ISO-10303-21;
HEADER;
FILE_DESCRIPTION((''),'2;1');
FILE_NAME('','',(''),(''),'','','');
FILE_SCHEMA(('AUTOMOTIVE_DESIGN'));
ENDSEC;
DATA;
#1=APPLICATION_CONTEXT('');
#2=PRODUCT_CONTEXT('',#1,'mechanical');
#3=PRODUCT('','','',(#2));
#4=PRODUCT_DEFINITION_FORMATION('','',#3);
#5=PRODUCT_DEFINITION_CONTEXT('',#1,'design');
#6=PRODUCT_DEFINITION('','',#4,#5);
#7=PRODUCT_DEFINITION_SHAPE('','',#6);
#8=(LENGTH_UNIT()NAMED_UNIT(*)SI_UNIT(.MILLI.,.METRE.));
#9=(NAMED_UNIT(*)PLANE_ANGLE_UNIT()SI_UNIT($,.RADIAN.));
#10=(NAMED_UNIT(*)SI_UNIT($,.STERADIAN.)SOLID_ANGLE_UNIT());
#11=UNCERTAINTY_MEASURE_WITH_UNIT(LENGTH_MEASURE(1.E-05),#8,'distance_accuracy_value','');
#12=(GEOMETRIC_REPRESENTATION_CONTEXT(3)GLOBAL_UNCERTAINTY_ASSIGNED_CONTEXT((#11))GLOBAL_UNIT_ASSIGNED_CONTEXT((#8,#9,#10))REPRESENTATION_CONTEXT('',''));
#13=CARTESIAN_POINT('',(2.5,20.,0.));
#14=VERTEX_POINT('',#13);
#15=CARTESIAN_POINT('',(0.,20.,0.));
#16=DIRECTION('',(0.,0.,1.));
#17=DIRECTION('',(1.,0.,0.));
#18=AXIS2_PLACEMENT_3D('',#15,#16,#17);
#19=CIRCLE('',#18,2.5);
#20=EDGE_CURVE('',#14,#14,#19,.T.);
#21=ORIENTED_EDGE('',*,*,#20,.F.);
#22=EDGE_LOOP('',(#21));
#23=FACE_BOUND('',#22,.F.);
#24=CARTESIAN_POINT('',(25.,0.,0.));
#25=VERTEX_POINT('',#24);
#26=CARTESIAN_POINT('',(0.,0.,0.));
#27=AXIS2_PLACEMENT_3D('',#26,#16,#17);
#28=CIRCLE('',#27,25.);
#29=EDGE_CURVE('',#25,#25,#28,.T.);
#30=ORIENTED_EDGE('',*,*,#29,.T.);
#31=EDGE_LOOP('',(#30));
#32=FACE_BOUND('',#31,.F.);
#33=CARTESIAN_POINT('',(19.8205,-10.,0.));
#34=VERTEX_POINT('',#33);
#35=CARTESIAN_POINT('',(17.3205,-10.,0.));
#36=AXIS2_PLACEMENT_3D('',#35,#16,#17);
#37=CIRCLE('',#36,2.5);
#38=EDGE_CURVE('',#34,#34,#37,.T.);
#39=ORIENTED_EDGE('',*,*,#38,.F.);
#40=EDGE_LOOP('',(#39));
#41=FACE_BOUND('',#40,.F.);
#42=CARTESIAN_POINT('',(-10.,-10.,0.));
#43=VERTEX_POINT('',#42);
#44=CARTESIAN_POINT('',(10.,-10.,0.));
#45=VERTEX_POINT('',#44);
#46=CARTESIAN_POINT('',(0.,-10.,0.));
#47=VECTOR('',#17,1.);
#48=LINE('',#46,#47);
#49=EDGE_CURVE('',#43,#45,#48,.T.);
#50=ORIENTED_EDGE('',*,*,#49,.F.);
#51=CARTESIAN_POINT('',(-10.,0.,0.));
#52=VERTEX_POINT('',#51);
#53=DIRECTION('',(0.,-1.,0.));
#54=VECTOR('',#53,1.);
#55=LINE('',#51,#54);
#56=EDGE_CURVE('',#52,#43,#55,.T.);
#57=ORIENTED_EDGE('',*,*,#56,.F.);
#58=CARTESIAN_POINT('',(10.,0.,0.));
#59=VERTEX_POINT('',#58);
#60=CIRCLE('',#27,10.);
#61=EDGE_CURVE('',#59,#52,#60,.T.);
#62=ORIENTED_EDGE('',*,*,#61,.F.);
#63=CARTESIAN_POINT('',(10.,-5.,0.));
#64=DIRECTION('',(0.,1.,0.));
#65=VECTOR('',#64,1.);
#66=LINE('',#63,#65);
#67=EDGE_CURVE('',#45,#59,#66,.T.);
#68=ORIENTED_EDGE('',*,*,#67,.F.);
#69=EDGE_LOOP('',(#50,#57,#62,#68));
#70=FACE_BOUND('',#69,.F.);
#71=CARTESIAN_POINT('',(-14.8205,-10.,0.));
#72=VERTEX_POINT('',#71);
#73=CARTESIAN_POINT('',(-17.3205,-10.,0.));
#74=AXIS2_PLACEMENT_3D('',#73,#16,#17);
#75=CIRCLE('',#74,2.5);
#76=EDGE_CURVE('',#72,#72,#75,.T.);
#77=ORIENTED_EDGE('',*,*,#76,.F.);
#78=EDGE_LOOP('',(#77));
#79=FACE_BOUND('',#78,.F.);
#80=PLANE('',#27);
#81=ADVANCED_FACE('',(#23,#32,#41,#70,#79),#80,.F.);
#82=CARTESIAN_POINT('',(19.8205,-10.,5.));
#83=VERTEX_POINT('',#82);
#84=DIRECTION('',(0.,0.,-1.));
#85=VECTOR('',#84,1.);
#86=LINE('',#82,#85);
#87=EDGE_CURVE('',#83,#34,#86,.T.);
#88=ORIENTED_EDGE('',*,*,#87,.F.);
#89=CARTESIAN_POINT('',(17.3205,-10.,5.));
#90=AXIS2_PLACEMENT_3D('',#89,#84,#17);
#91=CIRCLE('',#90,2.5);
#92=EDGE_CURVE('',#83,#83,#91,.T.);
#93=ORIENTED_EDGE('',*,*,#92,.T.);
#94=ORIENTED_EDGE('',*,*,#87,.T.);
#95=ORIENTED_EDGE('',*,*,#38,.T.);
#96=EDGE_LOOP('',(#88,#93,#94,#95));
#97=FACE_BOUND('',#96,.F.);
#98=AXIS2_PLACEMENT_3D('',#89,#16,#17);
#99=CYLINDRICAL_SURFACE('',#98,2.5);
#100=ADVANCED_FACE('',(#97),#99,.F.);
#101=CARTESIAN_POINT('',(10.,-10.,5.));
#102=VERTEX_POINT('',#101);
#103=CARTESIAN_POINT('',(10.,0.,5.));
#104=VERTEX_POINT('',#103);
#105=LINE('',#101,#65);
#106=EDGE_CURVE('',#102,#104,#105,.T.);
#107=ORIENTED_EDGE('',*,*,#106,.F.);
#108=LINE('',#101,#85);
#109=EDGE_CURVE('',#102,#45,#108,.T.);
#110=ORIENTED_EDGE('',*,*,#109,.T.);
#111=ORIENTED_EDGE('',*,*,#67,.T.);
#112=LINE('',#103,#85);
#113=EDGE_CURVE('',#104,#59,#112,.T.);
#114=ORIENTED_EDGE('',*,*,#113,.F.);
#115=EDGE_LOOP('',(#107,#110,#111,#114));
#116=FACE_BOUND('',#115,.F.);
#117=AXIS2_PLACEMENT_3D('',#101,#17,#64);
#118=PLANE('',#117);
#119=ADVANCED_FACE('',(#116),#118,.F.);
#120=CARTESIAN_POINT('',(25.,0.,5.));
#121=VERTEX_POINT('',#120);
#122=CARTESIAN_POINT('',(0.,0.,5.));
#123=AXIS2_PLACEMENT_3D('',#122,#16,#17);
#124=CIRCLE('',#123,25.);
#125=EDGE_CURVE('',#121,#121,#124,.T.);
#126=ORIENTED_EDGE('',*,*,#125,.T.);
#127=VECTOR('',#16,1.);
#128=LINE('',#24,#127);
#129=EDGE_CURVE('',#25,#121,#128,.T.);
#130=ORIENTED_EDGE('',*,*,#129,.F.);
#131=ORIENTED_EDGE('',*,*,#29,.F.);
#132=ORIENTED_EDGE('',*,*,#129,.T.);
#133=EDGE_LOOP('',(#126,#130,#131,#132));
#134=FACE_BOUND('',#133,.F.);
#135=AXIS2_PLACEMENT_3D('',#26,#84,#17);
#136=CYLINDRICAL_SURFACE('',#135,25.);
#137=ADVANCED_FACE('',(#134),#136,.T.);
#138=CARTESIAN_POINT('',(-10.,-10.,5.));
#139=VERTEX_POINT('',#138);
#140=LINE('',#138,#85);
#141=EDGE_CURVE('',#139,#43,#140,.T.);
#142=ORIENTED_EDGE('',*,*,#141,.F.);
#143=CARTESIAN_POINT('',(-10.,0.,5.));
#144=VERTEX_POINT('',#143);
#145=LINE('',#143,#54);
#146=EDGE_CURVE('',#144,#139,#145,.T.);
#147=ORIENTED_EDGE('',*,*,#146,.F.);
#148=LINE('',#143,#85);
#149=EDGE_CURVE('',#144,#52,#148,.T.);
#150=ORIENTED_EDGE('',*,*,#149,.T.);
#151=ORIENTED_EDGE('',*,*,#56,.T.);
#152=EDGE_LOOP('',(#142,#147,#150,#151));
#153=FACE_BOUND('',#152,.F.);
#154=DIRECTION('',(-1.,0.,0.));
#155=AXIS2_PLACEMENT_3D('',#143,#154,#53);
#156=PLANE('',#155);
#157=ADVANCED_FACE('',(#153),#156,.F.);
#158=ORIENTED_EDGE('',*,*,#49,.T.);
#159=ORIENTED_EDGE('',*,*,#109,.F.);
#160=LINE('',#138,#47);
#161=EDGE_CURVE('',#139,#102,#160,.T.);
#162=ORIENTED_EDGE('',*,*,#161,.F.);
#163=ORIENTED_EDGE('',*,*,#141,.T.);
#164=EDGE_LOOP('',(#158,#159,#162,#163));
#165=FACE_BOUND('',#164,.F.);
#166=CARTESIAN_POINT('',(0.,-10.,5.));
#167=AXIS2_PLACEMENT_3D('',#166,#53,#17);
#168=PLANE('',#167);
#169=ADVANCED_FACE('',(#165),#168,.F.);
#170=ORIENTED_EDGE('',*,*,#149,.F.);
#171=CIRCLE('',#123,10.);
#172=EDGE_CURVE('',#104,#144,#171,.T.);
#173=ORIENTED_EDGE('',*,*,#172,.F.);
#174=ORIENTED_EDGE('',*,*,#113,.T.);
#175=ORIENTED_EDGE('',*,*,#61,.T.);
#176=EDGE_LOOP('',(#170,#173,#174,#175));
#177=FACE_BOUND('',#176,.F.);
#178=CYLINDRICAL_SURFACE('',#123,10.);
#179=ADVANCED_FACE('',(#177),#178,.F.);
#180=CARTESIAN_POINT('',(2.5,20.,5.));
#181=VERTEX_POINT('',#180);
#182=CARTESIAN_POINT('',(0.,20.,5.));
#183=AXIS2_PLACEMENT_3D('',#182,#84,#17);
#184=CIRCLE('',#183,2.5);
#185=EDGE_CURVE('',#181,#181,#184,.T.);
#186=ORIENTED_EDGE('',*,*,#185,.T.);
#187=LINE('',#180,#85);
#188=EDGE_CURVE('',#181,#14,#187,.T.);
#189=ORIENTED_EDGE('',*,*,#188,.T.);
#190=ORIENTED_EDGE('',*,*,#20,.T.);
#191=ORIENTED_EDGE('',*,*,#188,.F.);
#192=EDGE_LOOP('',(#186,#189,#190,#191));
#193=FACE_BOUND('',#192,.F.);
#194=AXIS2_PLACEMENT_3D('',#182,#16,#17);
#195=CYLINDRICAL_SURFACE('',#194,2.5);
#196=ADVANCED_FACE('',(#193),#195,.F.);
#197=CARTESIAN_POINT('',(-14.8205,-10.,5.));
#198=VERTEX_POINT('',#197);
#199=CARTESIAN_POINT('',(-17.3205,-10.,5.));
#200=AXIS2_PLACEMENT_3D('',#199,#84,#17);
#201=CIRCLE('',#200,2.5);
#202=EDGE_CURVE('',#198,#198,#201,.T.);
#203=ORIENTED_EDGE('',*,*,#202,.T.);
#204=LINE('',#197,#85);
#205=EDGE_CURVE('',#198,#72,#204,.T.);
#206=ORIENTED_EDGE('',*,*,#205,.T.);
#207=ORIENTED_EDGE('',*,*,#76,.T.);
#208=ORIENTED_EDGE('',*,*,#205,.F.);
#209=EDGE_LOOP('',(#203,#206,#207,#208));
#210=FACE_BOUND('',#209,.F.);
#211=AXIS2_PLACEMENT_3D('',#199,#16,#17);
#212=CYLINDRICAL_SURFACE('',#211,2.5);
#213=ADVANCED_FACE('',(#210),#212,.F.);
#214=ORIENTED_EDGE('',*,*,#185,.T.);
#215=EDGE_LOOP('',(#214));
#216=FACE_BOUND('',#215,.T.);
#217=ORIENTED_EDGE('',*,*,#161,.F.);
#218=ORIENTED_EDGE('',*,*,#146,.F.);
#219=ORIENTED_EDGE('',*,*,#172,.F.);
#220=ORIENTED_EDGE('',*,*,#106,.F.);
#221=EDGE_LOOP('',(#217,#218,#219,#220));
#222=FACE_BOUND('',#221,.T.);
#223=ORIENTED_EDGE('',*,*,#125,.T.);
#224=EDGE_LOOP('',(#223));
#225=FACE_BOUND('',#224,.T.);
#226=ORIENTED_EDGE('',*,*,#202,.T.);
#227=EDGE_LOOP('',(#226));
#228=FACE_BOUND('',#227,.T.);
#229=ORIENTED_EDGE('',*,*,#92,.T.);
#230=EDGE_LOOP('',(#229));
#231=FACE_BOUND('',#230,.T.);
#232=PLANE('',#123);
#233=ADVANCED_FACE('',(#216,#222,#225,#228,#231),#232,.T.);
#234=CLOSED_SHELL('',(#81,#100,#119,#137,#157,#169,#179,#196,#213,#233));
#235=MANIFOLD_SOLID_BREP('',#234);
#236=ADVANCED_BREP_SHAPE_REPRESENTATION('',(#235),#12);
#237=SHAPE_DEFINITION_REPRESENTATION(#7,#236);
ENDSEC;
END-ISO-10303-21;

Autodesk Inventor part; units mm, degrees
ref_plane "YZ Plane" through (0, 0, 0) normal (1, 0, 0) x (0, 1, 0)
ref_plane "XZ Plane" through (0, 0, 0) normal (0, 1, 0) x (-1, 0, 0)
ref_plane "XY Plane" through (0, 0, 0) normal (0, 0, 1) x (1, 0, 0)
sketch "草图1" plane through (0, 0, 0) normal (0, 0, 1) x (1, 0, 0)
  circle A0 centre (0, 0) radius 25
  dimension "d0" = 50
extrude "拉伸1" add sketch "草图1" along normal blind 5
sketch "草图2" plane through (0, 0, 5) normal (0, 0, 1) x (1, 0, 0)
  circle A0 centre (0, 0) radius 10
  line L0 (-10, 0) -> (-10, -10)
  line L1 (-10, -10) -> (10, -10)
  line L2 (10, -10) -> (10, 0)
  dimension "d3" = 20
extrude "拉伸2" cut sketch "草图2" against normal through all
sketch "草图3" plane through (0, 0, 5) normal (0, 0, 1) x (1, 0, 0)
  circle A0 centre (-17.3205, -10) radius 2.5
  circle A1 centre (17.3205, -10) radius 2.5
  circle A2 centre (0, 20) radius 2.5
  line L0 (0, 0) -> (0, 20)
  line L1 (0, 0) -> (-17.3205, -10)
  line L2 (0, 0) -> (17.3205, -10)
  dimension "d6" = 5
  dimension "d7" = 5
  dimension "d8" = 5
  dimension "d9" = 20
  dimension "d10" = 120
  dimension "d11" = 120
extrude "拉伸3" cut sketch "草图3" against normal through all
properties part number "刀夹片"
